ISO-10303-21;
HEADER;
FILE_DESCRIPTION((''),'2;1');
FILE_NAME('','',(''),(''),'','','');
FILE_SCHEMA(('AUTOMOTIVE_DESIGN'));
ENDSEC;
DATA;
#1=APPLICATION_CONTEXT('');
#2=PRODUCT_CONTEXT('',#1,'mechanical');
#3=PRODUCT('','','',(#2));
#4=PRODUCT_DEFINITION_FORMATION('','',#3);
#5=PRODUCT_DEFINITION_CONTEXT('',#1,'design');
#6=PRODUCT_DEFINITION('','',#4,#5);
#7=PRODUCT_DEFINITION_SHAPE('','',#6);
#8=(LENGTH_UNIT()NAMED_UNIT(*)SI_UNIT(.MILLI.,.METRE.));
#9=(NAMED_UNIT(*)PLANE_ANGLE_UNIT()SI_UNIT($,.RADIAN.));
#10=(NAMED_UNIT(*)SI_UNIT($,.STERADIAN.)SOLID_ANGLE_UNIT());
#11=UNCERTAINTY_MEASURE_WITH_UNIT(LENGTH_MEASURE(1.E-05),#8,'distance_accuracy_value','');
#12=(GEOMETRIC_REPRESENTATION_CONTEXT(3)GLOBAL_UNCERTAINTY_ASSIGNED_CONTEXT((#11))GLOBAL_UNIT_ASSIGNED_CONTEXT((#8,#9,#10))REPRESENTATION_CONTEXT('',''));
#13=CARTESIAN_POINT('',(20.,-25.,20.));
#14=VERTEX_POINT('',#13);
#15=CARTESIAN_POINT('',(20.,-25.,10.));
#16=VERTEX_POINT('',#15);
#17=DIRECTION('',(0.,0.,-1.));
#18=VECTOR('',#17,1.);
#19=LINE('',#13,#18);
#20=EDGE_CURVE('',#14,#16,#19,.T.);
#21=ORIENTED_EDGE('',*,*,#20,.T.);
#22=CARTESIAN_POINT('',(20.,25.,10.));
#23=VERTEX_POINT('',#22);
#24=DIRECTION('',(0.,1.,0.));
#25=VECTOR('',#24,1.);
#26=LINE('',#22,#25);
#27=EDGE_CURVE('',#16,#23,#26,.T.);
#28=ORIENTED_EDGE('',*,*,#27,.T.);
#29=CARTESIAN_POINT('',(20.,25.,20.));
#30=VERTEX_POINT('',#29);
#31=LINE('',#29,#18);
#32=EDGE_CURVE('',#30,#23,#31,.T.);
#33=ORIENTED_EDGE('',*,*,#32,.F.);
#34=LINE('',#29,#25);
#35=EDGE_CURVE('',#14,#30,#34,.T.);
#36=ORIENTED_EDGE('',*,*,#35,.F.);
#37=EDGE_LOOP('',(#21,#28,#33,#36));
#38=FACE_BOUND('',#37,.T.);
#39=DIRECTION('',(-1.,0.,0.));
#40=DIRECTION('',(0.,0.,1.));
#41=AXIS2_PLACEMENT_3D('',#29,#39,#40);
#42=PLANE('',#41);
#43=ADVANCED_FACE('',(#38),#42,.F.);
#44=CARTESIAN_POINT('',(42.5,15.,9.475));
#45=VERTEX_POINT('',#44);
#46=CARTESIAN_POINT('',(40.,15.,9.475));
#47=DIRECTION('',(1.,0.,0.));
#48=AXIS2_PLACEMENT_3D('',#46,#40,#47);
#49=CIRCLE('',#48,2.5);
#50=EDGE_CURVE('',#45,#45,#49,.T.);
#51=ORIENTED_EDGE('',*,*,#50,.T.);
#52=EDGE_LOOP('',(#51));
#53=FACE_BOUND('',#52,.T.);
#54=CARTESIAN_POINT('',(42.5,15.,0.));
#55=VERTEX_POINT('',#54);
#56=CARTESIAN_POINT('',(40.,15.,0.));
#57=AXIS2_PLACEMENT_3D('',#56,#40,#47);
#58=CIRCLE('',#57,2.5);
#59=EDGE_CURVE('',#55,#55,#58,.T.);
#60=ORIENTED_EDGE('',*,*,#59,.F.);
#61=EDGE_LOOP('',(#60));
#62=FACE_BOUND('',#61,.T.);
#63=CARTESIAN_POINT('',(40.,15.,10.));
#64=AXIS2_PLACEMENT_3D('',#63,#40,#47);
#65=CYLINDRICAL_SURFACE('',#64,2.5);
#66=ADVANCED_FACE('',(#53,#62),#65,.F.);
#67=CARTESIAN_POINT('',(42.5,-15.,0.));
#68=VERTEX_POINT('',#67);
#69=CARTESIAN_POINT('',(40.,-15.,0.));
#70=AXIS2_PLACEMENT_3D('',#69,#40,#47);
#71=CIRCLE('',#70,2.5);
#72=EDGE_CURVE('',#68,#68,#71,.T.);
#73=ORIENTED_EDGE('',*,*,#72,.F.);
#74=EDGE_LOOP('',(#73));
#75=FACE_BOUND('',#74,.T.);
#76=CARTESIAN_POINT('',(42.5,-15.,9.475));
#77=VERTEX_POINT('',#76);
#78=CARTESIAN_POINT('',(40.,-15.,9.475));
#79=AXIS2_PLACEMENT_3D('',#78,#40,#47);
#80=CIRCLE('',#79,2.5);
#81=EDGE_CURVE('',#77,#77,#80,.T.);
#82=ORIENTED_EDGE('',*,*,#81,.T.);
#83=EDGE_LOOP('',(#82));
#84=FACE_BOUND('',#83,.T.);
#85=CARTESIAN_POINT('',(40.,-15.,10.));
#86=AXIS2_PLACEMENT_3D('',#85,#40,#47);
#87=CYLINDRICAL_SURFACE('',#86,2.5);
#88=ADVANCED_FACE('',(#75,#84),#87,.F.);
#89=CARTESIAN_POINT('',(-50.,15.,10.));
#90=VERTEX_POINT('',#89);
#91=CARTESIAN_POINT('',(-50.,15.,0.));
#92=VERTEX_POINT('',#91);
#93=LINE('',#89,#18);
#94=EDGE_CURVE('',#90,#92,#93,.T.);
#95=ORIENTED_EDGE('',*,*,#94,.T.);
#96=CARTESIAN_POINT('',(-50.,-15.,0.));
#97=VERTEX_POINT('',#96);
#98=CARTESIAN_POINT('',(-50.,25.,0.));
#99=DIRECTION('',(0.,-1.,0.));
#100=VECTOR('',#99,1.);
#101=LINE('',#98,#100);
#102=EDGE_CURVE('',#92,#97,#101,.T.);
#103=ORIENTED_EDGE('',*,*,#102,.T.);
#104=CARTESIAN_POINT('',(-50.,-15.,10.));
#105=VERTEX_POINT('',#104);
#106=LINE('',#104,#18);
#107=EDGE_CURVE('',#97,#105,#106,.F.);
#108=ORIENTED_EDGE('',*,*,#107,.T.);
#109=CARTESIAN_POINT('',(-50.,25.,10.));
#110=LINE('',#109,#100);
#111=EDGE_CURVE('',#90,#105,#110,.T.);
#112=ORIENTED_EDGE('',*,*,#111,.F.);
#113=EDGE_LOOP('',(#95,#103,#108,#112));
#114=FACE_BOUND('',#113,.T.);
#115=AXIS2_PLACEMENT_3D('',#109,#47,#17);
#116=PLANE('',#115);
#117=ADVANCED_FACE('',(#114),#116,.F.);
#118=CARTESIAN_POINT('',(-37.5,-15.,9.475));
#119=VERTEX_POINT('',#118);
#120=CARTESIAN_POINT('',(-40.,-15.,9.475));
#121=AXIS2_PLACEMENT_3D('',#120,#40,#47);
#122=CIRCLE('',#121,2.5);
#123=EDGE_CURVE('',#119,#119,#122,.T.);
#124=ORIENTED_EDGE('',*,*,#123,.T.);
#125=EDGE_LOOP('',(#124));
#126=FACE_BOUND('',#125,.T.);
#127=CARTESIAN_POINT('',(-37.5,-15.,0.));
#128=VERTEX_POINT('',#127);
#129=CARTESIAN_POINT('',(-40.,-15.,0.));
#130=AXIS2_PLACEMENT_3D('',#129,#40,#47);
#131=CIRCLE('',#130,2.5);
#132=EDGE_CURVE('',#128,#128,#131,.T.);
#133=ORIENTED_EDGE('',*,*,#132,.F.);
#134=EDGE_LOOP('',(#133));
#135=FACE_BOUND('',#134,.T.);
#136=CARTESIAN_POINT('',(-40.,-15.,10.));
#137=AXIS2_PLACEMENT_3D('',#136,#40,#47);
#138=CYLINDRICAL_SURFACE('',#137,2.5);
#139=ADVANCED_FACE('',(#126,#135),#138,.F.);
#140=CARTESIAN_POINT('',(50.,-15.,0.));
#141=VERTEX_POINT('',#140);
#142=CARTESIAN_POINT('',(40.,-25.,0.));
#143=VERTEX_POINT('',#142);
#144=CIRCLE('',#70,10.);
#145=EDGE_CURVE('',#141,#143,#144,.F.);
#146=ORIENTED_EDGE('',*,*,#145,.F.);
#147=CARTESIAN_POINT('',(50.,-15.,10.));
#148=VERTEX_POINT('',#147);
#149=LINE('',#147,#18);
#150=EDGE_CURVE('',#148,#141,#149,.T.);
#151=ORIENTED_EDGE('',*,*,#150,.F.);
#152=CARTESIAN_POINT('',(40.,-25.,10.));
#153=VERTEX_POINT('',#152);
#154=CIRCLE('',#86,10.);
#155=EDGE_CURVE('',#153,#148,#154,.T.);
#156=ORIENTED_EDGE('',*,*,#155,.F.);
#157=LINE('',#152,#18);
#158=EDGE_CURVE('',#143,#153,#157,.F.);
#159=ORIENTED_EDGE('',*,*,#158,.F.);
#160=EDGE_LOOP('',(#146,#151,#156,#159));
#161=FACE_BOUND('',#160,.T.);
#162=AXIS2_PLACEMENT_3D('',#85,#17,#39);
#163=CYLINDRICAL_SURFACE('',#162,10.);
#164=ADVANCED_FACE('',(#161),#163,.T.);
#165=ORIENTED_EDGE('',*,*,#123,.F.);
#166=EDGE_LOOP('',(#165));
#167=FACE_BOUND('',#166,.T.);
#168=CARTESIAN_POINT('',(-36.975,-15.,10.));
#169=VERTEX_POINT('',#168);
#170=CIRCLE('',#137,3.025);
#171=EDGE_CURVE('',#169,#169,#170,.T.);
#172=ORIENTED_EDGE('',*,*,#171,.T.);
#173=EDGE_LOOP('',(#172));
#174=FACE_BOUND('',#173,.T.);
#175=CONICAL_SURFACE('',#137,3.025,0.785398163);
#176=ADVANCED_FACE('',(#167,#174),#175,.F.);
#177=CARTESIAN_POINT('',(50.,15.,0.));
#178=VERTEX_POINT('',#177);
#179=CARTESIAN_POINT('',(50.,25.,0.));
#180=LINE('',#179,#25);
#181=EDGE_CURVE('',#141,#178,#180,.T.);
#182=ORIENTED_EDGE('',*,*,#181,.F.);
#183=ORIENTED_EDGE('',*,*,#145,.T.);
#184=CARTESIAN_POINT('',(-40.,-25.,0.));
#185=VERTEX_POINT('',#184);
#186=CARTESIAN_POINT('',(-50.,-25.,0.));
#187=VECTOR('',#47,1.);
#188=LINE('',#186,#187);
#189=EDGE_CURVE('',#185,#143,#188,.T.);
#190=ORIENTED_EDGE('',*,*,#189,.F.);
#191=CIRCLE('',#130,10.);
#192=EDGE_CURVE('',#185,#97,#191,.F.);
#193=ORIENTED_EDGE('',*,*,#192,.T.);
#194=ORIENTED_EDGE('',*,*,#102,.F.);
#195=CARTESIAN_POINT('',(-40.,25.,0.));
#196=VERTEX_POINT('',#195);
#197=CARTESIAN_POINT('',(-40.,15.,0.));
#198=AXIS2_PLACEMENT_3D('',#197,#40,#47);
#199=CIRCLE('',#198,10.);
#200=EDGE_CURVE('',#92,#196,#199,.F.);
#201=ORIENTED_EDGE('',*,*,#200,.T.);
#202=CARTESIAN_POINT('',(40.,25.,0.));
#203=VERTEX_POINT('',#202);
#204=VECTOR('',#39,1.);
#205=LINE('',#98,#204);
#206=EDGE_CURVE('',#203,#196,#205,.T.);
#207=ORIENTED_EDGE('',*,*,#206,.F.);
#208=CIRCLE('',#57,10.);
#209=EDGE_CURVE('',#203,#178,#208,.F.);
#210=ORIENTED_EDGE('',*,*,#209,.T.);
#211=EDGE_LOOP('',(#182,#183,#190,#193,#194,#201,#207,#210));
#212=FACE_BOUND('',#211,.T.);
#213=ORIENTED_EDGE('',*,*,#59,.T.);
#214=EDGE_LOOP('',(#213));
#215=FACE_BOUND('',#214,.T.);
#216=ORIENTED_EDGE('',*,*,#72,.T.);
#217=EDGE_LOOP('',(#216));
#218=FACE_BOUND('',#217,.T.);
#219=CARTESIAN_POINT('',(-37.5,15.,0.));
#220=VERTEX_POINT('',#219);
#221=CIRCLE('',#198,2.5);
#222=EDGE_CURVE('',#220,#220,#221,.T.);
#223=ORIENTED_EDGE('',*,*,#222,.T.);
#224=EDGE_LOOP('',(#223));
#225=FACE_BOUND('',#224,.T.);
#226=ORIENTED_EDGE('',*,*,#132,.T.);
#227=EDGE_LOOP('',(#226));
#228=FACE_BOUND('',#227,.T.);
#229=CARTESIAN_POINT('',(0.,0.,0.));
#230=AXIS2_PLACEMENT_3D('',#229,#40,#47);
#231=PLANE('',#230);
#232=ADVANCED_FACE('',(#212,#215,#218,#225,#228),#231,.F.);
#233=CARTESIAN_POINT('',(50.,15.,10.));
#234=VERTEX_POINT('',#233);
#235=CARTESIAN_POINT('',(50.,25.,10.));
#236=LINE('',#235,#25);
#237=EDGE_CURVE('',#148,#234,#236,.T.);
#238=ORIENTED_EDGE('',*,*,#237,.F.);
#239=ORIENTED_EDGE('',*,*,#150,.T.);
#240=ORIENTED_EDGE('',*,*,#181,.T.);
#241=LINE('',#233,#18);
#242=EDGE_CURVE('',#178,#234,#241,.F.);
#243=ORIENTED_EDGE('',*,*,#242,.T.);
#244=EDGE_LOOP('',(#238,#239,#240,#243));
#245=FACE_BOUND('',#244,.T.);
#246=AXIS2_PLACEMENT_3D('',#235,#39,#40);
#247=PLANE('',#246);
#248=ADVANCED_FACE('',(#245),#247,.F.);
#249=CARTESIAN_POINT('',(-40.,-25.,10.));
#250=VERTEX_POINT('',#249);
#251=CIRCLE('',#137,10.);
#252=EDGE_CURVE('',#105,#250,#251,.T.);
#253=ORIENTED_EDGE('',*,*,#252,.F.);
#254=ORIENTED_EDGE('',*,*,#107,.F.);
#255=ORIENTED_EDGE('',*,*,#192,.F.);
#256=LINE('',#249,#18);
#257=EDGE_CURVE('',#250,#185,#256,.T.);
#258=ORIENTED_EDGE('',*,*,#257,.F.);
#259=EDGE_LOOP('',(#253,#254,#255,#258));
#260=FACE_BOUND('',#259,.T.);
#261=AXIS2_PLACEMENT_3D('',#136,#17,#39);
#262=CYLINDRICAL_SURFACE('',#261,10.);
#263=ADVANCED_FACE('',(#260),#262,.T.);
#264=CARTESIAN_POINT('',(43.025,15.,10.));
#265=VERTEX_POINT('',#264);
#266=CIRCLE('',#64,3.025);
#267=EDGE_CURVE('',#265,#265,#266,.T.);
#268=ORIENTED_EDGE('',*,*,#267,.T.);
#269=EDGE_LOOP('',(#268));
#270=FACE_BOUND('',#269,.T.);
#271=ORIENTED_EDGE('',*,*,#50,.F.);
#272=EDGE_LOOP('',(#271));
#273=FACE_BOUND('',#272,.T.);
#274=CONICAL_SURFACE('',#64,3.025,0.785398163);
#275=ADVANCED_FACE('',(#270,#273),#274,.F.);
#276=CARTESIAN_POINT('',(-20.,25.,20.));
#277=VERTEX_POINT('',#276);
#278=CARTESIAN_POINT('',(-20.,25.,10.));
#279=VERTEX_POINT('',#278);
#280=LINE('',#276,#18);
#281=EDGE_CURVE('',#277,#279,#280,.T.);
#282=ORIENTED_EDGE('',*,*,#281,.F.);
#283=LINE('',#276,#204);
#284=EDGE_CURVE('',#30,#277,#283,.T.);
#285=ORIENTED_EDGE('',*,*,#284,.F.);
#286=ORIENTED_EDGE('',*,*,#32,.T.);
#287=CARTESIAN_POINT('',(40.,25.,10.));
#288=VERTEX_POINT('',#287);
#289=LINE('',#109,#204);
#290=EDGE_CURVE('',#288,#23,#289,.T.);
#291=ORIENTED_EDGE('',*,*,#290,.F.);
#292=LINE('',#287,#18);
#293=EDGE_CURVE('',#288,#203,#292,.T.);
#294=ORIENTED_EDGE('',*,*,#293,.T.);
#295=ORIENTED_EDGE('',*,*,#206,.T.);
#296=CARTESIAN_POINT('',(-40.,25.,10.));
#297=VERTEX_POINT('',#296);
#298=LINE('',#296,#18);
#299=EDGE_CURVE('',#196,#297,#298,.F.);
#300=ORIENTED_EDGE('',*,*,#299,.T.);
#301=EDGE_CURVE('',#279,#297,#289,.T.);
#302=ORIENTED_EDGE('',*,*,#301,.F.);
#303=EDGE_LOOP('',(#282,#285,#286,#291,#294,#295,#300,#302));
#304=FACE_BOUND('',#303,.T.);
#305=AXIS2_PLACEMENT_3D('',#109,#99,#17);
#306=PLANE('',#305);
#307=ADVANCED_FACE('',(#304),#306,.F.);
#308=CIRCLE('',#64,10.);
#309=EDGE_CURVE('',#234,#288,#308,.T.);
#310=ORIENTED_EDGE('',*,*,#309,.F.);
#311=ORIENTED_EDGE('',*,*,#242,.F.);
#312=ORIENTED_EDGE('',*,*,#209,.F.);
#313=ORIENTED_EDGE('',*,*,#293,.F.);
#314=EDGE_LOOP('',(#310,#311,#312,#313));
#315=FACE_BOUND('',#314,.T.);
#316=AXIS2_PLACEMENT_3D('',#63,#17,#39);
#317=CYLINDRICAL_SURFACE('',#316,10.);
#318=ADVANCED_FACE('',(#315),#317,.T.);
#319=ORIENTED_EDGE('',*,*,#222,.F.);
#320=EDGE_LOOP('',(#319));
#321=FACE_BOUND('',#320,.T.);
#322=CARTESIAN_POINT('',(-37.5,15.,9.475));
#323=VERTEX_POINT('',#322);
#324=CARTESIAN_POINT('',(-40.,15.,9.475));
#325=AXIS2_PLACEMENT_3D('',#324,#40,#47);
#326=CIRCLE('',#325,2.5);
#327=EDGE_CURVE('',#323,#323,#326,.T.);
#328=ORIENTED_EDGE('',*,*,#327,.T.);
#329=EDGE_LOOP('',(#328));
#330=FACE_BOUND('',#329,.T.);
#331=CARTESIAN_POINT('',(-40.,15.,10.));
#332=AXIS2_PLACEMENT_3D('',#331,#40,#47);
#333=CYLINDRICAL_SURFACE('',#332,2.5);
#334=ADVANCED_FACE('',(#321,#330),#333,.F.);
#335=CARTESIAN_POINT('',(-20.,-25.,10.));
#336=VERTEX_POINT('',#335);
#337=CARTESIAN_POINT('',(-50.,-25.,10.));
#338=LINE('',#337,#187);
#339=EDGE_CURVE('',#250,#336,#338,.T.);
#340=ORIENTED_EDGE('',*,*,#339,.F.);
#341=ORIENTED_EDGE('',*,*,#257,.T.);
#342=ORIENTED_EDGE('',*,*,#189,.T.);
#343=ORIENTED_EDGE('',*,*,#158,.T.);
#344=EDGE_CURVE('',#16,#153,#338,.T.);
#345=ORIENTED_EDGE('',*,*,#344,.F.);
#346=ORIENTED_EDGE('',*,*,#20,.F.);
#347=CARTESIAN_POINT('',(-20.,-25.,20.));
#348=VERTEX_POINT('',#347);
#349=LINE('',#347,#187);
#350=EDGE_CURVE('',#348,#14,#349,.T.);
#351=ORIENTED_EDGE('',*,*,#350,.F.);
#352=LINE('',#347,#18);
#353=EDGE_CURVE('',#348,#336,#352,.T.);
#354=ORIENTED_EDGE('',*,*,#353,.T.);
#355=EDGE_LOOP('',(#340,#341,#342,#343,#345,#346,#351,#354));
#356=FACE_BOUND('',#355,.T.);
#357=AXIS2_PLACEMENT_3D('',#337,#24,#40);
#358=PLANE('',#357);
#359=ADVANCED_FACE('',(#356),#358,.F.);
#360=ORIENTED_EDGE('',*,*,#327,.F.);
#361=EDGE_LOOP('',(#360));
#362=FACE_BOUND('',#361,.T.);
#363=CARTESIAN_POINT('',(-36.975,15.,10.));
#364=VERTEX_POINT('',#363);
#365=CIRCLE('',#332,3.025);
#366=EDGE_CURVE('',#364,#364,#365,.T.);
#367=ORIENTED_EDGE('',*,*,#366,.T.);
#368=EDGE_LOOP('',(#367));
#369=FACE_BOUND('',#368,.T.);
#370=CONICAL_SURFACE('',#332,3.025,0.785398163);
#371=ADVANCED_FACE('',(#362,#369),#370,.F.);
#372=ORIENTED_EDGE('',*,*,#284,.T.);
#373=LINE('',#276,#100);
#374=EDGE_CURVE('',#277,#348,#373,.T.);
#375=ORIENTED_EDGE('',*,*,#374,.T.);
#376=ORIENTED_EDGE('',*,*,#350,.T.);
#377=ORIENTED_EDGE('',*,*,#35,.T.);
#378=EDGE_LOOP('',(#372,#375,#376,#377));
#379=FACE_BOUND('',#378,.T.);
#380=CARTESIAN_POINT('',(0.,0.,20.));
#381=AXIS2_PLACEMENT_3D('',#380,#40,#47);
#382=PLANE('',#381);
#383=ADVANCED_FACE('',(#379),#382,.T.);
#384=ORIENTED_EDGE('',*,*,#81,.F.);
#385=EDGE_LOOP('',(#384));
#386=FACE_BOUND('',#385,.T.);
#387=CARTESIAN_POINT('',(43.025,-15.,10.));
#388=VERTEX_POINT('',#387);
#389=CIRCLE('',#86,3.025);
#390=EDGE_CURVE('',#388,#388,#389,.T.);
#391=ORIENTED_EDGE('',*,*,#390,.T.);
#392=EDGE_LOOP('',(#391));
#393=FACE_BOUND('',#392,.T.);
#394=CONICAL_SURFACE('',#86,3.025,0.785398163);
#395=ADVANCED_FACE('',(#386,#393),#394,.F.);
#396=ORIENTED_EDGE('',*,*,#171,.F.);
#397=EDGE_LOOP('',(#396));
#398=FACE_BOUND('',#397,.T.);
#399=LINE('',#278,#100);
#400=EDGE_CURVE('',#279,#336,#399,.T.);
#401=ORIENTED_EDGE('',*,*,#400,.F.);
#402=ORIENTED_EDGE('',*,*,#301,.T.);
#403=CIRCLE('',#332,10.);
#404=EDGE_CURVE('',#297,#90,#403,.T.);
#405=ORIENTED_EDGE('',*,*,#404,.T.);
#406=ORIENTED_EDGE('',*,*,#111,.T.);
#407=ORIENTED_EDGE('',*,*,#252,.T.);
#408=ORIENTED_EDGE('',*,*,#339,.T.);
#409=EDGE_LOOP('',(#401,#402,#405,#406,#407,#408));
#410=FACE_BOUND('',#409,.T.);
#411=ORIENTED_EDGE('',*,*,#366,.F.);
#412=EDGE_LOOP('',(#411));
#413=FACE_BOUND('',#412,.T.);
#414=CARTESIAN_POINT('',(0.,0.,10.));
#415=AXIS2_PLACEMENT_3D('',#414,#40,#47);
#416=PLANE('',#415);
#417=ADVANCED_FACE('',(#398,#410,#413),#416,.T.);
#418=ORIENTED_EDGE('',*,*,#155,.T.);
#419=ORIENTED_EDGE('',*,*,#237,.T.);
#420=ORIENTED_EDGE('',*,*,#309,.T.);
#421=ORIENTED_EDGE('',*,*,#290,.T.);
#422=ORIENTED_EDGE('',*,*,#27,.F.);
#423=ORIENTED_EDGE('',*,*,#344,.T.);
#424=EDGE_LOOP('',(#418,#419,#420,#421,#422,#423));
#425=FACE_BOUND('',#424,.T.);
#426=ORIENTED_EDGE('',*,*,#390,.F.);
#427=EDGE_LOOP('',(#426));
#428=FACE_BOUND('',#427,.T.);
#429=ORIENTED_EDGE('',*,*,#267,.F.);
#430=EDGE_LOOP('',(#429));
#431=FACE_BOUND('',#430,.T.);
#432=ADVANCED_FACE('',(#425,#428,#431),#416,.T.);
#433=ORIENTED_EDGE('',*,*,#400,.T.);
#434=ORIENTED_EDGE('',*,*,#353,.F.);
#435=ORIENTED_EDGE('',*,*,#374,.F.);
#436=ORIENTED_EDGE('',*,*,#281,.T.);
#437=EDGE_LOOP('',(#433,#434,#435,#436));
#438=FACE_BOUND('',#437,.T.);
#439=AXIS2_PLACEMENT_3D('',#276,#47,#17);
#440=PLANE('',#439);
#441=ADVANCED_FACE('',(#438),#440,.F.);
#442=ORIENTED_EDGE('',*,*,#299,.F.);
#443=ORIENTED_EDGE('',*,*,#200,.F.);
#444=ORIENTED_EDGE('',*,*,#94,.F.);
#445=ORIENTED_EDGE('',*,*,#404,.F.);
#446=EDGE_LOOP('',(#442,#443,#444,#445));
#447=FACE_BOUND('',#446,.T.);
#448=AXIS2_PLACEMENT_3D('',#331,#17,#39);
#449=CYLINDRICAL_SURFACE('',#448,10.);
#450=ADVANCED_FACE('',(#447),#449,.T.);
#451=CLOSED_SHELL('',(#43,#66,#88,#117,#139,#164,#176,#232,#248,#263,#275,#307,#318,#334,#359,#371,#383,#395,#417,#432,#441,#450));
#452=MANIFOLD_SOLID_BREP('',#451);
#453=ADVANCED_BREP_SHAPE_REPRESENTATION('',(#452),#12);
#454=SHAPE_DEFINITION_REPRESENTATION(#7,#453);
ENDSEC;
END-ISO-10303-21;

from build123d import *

# Parameters (mm, degrees)
SKETCH_1_W                   = 100
SKETCH_1_H                   = 50
EXTRUDE_1_DEPTH              = 10
SKETCH_2_W                   = 40
SKETCH_2_H                   = 50
EXTRUDE_2_DEPTH              = 10
FILLET_1_R                   = 10
HOLE_WIZARD_M6_1_D           = 5
HOLE_WIZARD_M6_1_CSINK_D     = 6.05
HOLE_WIZARD_M6_1_CSINK_ANGLE = 90


with BuildPart() as part:
    # 草图1 → 凸台-拉伸1 (new body)
    with BuildSketch(Plane.XY):
        Rectangle(SKETCH_1_W, SKETCH_1_H)
    extrude(amount=EXTRUDE_1_DEPTH)

    # 草图2 → 凸台-拉伸2 (add)
    with BuildSketch(Plane.XY.offset(10)):
        Rectangle(SKETCH_2_W, SKETCH_2_H)
    extrude(amount=EXTRUDE_2_DEPTH)

    # 圆角1
    fillet_1_edges = [part.edges().sort_by_distance(p)[0] for p in [
        (50, -25, 5),
        (-50, -25, 5),
        (-50, 25, 5),
        (50, 25, 5),
    ]]
    fillet(fillet_1_edges, radius=FILLET_1_R)

    # M6 螺纹孔1 (through all)
    with Locations(Plane.XY.offset(10)):
        with Locations((-40, 15), (-40, -15), (40, -15), (40, 15)):
            CounterSinkHole(HOLE_WIZARD_M6_1_D / 2, HOLE_WIZARD_M6_1_CSINK_D / 2, counter_sink_angle=HOLE_WIZARD_M6_1_CSINK_ANGLE)


solid = part.part
